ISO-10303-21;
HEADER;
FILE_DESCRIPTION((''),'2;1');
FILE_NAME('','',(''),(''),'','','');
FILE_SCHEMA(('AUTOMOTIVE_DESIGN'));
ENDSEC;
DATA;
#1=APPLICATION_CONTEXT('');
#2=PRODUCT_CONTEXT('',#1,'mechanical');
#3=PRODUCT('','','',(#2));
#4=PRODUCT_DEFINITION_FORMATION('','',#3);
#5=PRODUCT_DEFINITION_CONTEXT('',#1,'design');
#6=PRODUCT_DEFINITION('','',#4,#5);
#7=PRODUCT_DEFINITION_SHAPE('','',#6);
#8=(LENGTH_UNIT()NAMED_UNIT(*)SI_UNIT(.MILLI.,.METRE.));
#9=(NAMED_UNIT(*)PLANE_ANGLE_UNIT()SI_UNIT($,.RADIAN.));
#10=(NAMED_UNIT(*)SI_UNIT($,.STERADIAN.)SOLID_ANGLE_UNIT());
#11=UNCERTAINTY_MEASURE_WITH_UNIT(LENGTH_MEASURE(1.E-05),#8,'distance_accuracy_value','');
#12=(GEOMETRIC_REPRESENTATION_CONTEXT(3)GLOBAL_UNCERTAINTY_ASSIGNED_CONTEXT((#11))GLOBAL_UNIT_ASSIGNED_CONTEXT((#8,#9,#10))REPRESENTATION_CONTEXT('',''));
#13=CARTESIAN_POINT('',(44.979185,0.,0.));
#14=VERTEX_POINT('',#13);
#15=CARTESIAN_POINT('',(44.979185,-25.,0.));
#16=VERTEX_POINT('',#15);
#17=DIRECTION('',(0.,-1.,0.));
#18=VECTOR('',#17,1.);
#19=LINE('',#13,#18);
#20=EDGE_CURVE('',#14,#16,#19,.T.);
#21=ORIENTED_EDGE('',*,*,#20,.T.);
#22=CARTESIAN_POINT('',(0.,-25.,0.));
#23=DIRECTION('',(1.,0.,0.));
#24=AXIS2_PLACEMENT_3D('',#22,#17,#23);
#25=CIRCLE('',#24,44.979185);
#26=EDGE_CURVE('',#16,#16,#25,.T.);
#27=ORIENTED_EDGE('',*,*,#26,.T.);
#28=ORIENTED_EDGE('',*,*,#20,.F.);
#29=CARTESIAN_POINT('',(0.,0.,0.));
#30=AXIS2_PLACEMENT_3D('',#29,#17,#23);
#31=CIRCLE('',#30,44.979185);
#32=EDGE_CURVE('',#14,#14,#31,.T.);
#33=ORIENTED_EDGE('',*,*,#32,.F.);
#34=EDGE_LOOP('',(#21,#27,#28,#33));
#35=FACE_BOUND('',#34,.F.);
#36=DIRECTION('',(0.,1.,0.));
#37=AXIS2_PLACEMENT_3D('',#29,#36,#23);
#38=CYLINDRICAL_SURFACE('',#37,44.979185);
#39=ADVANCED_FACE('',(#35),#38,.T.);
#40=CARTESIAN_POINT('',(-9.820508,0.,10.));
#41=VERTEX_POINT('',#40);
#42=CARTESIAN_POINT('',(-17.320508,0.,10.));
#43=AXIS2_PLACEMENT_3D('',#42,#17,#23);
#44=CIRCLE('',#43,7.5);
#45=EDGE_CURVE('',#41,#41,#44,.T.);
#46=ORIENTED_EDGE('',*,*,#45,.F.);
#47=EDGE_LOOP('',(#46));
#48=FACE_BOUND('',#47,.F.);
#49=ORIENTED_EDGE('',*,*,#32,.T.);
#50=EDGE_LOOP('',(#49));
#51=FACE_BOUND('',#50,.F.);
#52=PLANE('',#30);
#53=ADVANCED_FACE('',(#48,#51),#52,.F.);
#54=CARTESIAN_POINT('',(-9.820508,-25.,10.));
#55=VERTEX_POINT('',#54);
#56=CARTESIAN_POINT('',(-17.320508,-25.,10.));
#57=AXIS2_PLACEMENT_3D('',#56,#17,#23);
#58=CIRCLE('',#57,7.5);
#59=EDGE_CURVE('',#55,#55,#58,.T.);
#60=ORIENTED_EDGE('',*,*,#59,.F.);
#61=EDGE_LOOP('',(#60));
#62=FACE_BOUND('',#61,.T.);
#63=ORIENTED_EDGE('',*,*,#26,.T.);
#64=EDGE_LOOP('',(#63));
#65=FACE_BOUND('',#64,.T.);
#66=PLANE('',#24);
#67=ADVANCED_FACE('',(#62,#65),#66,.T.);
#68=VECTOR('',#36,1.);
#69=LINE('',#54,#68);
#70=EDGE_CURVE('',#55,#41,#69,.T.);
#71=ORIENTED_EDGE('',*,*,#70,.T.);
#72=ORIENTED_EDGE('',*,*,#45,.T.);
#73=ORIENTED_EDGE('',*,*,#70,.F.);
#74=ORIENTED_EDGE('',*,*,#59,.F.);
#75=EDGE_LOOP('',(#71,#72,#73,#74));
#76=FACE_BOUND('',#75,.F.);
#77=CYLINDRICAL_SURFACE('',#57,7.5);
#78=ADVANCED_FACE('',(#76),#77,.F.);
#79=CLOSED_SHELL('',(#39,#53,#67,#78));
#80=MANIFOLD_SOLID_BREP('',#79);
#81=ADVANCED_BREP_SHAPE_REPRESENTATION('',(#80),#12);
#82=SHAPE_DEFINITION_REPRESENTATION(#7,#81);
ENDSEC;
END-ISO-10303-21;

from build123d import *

# Parameters (mm, degrees)
F0_R     = 44.979185
F1_DEPTH = 25
F2_R     = 7.5
F3_DEPTH = 25


with BuildPart() as f1:
    # F0 (on Front) → F1 (new body)
    with BuildSketch(Plane.XZ):
        Circle(F0_R)
    extrude(amount=F1_DEPTH)

    # F2 (on face) → F3 (cut)
    with BuildSketch(Plane.XZ.offset(25)):
        with Locations((-17.320508, 10)):
            Circle(F2_R)
    extrude(amount=-F3_DEPTH, mode=Mode.SUBTRACT)


solid = f1.part
